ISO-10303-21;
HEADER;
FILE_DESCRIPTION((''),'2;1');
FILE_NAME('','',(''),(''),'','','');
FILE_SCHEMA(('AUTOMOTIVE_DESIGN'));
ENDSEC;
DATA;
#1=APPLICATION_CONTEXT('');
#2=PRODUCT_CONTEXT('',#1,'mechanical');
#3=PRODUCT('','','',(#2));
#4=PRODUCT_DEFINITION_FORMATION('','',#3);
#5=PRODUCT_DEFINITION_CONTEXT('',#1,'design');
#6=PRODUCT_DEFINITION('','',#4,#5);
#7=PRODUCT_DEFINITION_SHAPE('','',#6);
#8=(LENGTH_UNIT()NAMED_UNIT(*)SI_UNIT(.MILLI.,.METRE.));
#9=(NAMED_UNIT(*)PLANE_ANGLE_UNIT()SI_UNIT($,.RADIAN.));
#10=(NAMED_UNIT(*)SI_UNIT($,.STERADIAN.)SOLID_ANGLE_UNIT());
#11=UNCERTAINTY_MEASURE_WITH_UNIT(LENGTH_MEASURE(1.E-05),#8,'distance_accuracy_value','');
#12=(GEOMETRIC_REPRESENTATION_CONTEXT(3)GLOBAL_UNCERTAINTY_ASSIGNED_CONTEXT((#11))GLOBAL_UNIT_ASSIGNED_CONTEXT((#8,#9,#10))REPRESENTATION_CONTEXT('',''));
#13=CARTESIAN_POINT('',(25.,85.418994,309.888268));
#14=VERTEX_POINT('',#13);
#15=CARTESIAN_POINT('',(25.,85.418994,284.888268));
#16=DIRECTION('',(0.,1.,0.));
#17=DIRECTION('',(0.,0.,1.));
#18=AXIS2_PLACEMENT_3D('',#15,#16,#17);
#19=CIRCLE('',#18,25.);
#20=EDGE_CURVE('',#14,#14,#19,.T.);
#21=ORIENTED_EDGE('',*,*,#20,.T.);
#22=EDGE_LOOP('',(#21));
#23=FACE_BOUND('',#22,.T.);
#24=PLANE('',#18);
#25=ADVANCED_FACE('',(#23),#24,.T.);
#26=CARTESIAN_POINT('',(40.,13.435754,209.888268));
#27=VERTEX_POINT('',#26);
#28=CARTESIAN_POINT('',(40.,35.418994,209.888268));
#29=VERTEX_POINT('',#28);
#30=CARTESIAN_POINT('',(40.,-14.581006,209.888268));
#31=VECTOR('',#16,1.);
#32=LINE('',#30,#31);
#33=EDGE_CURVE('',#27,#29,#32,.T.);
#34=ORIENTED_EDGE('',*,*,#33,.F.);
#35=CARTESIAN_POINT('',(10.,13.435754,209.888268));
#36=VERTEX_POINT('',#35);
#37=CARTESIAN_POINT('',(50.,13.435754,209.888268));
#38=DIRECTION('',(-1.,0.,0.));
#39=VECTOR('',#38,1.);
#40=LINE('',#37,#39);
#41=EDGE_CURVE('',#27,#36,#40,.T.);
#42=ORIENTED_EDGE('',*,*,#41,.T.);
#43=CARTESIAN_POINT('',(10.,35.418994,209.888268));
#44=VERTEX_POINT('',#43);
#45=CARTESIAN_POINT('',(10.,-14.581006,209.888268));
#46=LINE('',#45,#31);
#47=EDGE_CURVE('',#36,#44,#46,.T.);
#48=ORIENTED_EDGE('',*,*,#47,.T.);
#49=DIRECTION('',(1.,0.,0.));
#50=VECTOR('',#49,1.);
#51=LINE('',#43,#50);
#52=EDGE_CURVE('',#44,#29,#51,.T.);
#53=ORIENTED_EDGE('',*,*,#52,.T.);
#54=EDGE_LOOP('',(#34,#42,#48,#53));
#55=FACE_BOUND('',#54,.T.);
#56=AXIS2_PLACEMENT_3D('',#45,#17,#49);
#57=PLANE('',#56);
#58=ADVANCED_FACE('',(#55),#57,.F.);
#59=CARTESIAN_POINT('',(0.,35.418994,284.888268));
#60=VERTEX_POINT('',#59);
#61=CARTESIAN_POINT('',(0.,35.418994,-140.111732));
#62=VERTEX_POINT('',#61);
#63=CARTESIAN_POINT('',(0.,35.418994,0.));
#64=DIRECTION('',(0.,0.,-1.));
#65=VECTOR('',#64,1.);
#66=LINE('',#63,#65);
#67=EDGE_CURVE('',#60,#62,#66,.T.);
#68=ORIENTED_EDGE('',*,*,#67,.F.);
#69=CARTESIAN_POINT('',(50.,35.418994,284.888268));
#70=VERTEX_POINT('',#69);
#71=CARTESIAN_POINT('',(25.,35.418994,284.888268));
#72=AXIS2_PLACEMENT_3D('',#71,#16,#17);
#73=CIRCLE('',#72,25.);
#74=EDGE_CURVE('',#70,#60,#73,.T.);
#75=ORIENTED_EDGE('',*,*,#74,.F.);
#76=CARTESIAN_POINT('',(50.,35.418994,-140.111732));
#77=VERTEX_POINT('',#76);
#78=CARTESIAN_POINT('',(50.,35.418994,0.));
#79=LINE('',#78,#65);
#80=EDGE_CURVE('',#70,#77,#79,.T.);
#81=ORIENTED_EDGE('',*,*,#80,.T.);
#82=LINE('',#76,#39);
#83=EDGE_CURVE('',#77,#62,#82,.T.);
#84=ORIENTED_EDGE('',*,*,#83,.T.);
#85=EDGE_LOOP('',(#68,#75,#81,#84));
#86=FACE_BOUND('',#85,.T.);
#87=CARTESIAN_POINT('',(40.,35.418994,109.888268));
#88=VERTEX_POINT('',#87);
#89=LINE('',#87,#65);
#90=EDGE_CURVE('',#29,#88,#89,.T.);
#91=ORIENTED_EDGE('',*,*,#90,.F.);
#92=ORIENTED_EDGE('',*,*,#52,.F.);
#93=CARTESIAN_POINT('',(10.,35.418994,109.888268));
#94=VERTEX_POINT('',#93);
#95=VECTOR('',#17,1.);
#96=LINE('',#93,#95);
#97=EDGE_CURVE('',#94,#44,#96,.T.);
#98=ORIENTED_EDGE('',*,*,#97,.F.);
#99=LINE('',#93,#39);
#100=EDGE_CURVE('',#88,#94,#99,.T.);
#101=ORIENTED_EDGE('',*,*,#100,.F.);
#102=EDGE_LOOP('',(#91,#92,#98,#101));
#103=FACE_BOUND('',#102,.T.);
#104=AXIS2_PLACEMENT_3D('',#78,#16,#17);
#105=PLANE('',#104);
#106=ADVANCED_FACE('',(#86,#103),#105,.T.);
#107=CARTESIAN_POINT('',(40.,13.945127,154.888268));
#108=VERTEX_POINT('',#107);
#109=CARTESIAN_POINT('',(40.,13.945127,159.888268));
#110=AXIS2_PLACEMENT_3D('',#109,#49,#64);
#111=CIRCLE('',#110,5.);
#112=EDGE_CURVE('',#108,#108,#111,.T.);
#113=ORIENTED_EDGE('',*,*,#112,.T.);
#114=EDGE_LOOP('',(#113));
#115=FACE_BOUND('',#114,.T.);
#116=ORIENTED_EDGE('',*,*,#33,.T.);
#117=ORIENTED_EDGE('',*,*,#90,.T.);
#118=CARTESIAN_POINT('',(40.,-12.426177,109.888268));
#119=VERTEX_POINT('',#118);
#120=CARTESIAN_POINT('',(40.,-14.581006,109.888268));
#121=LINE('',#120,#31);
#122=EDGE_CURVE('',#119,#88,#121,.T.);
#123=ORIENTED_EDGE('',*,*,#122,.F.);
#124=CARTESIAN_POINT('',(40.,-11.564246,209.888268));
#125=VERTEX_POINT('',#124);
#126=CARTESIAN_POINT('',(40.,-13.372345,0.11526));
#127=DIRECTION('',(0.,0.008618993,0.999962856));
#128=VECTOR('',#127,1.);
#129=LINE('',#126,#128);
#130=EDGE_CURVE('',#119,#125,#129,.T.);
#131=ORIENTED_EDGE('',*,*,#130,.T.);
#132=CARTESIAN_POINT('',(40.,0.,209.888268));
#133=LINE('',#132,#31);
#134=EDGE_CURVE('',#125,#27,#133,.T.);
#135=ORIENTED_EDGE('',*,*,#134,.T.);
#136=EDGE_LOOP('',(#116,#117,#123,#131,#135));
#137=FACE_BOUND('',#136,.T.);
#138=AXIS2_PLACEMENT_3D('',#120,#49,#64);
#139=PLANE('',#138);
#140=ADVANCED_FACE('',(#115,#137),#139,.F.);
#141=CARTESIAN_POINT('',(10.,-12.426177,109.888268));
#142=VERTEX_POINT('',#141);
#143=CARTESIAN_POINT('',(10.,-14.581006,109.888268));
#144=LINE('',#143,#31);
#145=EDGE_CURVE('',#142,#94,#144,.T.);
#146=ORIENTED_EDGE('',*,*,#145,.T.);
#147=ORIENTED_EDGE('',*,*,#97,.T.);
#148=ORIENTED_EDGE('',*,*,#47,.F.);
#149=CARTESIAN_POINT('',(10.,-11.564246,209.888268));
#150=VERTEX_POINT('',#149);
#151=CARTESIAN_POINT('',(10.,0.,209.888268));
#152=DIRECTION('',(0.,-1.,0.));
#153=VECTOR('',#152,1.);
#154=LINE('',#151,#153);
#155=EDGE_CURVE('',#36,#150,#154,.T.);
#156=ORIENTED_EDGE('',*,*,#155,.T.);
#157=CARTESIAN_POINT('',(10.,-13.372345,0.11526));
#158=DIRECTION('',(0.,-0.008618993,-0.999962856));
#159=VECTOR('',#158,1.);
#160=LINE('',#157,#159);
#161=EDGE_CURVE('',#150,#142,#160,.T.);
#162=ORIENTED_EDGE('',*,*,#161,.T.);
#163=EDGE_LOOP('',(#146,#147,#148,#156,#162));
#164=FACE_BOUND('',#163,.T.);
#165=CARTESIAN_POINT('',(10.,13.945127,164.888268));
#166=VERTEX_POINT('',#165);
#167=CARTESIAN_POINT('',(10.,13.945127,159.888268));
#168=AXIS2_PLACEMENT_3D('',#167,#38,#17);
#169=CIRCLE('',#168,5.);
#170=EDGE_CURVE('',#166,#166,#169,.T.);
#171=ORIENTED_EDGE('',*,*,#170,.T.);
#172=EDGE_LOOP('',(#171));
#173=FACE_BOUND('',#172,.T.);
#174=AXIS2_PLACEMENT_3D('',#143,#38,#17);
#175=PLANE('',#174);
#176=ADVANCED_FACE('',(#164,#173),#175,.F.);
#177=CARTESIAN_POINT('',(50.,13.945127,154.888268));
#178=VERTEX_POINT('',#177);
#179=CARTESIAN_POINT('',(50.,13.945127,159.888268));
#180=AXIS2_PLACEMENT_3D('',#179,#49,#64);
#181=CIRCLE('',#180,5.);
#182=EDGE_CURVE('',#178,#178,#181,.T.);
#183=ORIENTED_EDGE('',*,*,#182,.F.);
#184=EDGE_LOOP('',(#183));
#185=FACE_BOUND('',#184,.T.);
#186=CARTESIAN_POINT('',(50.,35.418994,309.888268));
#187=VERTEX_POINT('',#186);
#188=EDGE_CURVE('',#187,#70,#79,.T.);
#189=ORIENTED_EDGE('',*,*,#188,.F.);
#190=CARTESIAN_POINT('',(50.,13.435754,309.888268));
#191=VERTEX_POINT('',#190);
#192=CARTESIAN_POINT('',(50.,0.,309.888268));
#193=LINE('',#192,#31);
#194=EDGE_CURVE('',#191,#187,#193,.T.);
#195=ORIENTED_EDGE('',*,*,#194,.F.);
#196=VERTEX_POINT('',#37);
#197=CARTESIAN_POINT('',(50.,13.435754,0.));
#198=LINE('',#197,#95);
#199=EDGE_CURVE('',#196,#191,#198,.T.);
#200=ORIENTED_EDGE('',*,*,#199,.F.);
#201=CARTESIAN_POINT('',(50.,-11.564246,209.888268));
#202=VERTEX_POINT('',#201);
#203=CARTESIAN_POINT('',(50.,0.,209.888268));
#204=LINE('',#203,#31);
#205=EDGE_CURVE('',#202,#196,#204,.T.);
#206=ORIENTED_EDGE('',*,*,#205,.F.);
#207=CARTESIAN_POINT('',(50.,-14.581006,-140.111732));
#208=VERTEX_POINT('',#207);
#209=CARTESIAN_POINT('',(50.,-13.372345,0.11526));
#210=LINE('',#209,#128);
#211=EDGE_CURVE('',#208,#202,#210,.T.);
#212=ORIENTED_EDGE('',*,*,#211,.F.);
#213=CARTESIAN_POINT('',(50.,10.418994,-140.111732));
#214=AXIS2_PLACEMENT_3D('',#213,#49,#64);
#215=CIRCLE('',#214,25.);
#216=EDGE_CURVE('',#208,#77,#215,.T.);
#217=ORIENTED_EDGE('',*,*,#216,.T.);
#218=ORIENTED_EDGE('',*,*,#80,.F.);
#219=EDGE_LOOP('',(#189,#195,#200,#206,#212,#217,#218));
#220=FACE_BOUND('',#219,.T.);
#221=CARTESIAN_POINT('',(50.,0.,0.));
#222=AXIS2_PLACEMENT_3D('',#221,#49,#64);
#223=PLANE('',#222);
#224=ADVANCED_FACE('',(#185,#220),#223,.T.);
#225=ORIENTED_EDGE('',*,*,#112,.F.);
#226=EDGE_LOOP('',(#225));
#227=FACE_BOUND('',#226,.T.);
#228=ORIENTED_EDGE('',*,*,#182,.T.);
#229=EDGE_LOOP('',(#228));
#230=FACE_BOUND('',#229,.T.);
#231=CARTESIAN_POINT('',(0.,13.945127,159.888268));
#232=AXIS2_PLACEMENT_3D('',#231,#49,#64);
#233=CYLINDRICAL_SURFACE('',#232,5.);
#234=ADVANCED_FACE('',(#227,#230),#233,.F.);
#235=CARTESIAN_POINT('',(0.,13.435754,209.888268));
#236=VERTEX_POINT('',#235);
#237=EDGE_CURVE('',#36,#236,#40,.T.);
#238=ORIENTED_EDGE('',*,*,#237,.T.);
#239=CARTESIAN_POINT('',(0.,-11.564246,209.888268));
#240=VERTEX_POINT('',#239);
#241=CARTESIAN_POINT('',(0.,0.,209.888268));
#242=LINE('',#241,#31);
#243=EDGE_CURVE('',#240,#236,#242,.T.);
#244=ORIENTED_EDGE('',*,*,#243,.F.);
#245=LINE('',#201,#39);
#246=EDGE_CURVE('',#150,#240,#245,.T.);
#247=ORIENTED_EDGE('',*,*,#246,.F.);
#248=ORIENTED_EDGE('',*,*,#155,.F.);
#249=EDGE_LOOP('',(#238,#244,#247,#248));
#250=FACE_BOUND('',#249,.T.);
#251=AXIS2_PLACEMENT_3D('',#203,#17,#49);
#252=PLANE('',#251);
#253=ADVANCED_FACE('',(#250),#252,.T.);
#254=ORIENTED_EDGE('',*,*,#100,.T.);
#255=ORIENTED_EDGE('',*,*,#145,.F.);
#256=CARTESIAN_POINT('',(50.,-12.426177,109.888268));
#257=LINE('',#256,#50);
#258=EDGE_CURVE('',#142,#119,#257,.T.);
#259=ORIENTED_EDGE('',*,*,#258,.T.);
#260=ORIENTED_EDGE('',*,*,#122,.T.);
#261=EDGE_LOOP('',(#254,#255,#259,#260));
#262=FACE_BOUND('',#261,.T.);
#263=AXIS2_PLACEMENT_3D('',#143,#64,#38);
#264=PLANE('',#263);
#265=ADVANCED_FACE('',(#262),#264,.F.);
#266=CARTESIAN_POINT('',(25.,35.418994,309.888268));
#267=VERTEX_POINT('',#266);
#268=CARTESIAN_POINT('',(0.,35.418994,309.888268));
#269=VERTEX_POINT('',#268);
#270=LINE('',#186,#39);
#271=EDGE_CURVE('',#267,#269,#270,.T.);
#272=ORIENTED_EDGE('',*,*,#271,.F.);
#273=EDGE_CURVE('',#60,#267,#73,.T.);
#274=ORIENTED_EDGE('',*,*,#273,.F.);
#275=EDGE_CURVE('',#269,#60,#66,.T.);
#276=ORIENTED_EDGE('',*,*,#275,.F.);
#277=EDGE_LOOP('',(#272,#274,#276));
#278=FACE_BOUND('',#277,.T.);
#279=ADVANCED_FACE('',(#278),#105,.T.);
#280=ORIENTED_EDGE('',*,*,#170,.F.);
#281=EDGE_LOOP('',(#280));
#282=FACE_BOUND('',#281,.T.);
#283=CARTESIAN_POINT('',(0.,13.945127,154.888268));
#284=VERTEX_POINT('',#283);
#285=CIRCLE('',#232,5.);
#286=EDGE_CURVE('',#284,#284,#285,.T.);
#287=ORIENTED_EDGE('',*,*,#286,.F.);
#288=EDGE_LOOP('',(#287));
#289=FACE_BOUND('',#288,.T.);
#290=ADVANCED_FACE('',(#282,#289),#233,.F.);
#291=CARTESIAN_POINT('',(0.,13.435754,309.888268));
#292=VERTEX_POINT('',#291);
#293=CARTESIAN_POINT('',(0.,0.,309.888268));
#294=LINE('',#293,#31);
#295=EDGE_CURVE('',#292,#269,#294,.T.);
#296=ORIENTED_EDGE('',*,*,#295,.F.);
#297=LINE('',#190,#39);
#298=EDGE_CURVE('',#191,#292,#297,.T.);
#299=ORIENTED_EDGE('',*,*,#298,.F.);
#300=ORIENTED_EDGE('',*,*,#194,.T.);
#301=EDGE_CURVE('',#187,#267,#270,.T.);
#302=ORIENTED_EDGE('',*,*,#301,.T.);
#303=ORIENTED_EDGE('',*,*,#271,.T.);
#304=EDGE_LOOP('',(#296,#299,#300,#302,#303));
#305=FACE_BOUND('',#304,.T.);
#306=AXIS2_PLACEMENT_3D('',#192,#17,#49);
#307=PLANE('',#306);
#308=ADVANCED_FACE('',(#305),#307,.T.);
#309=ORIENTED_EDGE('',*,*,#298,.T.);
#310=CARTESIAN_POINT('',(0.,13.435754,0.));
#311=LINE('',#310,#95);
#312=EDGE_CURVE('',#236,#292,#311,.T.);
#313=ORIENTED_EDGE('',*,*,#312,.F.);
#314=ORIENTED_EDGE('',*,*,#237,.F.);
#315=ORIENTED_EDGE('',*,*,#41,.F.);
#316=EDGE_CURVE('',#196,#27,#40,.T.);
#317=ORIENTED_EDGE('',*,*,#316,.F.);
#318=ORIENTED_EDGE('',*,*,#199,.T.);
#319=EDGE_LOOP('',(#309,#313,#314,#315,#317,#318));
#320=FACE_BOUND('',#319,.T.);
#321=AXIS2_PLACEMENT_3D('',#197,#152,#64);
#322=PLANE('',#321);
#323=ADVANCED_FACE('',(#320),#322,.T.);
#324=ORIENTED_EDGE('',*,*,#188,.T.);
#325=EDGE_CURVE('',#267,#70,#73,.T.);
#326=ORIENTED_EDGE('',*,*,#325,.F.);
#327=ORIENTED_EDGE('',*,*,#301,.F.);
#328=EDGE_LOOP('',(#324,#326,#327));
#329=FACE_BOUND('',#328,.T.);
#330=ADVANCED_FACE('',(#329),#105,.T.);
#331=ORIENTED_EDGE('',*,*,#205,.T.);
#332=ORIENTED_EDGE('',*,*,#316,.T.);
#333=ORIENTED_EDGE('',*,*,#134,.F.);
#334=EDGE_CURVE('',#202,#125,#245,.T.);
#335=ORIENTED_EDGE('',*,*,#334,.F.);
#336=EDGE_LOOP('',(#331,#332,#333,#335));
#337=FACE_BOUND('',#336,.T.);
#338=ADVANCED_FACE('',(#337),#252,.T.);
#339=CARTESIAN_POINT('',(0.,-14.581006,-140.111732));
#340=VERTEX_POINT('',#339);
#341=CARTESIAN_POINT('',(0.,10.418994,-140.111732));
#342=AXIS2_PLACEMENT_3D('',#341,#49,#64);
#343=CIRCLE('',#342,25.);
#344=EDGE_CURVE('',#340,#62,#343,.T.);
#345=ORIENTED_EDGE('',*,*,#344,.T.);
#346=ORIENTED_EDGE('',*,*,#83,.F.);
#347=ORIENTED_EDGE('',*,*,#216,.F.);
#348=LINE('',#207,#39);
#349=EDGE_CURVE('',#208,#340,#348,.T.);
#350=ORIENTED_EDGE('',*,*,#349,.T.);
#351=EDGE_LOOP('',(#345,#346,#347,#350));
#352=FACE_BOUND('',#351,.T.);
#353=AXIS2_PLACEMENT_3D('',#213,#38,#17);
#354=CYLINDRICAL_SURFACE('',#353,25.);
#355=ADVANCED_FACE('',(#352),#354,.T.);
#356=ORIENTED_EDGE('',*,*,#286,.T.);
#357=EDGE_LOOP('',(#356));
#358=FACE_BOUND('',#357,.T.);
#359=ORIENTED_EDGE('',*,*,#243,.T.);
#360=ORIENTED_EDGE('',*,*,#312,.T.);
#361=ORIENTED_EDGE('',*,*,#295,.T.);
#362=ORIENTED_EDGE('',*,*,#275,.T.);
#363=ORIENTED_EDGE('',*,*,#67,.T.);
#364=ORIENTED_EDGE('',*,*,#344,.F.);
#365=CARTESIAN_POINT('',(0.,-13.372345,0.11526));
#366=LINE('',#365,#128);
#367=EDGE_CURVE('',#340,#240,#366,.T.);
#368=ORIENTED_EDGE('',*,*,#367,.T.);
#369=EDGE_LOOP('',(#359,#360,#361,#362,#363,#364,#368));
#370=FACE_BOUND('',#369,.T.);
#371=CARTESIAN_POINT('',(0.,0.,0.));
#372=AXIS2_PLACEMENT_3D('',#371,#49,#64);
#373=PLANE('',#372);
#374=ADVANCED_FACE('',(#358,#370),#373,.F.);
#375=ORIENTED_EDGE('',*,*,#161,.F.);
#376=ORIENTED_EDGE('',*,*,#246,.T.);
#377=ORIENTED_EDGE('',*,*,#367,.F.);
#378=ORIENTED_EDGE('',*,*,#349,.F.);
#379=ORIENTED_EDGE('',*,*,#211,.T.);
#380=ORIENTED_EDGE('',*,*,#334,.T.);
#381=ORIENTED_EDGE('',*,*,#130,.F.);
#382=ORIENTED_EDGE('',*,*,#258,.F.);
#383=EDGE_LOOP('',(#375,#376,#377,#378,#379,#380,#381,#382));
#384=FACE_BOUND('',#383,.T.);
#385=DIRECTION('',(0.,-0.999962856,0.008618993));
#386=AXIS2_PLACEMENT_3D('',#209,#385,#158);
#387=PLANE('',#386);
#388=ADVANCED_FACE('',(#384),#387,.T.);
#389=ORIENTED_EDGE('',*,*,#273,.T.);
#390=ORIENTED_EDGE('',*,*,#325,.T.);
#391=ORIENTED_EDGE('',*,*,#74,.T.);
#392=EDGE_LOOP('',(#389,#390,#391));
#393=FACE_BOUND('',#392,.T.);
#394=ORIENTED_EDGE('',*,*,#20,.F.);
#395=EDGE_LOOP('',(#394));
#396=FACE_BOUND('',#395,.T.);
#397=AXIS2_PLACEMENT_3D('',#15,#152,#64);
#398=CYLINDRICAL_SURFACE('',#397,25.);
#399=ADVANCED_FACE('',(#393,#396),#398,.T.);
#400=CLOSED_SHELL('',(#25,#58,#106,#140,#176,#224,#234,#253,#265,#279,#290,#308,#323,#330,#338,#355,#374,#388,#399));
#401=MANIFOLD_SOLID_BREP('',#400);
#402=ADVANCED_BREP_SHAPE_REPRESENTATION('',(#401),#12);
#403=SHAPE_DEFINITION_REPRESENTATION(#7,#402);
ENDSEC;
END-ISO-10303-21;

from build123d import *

# Parameters (mm, degrees)
BOSS_EXTRUDE1_DEPTH = 50
BOSS_EXTRUDE2_START = 35.418994
SKETCH2_R           = 25
BOSS_EXTRUDE2_DEPTH = 50
SKETCH4_W           = 30
SKETCH4_H           = 100
CUT_EXTRUDE1_DEPTH  = 318.853328976
SKETCH5_R           = 5
CUT_EXTRUDE2_DEPTH  = 326.310841007


with BuildPart() as part:
    # Sketch1 → Boss-Extrude1 (new body)
    with BuildSketch(Plane(origin=(0, 0, 0), x_dir=(0, 0, -1), z_dir=(1, 0, 0))):
        with BuildLine():
            Line((140.111731844, 35.418994413), (-209.888268156, 35.418994413))
            Line((-209.888268156, 35.418994413), (-309.888268156, 35.418994413))
            Line((-309.888268156, 35.418994413), (-309.888268156, 13.43575419))
            Line((-309.888268156, 13.43575419), (-209.888268156, 13.43575419))
            Line((-209.888268156, 13.43575419), (-209.888268156, -11.56424581))
            Line((-209.888268156, -11.56424581), (139.680798176, -14.577291234))
            ThreePointArc((139.680798176, -14.577291234), (115.112660449, 10.634469251), (140.111731844, 35.418994413))
        make_face()
        with BuildLine():
            Line((140.111731844, -14.581005587), (140.111731844, 35.418994413))
            ThreePointArc((140.111731844, 35.418994413), (115.112660449, 10.634469251), (139.680798176, -14.577291234))
            Line((139.680798176, -14.577291234), (140.111731844, -14.581005587))
        make_face()
        with BuildLine():
            ThreePointArc((165.111731844, 10.418994413), (157.789401373, 28.096663943), (140.111731844, 35.418994413))
            Line((140.111731844, 35.418994413), (140.111731844, -14.581005587))
            ThreePointArc((140.111731844, -14.581005587), (157.789401373, -7.258675116), (165.111731844, 10.418994413))
        make_face()
    extrude(amount=BOSS_EXTRUDE1_DEPTH)

    # Sketch2 → Boss-Extrude2 (add)
    with BuildSketch(Plane(origin=(0, 0, 0), x_dir=(1, 0, 0), z_dir=(0, 1, 0)).offset(BOSS_EXTRUDE2_START)):
        with Locations(Location((25, -284.888268156, 0), (0, 0, 270))):
            Circle(SKETCH2_R)
    extrude(amount=BOSS_EXTRUDE2_DEPTH)

    # Sketch4 → Cut-Extrude1 (cut, through all)
    with BuildSketch(Plane(origin=(0, 35.418994413, 0), x_dir=(1, 0, 0), z_dir=(0, 1, 0))):
        with Locations((25, -159.888268156)):
            Rectangle(SKETCH4_W, SKETCH4_H)
    extrude(amount=-CUT_EXTRUDE1_DEPTH, mode=Mode.SUBTRACT)

    # Sketch5 → Cut-Extrude2 (cut, through all)
    with BuildSketch(Plane(origin=(50, 0, 0), x_dir=(0, 0, -1), z_dir=(1, 0, 0))):
        with Locations((-159.888268156, 13.945126907)):
            Circle(SKETCH5_R)
    extrude(amount=-CUT_EXTRUDE2_DEPTH, mode=Mode.SUBTRACT)


solid = part.part
